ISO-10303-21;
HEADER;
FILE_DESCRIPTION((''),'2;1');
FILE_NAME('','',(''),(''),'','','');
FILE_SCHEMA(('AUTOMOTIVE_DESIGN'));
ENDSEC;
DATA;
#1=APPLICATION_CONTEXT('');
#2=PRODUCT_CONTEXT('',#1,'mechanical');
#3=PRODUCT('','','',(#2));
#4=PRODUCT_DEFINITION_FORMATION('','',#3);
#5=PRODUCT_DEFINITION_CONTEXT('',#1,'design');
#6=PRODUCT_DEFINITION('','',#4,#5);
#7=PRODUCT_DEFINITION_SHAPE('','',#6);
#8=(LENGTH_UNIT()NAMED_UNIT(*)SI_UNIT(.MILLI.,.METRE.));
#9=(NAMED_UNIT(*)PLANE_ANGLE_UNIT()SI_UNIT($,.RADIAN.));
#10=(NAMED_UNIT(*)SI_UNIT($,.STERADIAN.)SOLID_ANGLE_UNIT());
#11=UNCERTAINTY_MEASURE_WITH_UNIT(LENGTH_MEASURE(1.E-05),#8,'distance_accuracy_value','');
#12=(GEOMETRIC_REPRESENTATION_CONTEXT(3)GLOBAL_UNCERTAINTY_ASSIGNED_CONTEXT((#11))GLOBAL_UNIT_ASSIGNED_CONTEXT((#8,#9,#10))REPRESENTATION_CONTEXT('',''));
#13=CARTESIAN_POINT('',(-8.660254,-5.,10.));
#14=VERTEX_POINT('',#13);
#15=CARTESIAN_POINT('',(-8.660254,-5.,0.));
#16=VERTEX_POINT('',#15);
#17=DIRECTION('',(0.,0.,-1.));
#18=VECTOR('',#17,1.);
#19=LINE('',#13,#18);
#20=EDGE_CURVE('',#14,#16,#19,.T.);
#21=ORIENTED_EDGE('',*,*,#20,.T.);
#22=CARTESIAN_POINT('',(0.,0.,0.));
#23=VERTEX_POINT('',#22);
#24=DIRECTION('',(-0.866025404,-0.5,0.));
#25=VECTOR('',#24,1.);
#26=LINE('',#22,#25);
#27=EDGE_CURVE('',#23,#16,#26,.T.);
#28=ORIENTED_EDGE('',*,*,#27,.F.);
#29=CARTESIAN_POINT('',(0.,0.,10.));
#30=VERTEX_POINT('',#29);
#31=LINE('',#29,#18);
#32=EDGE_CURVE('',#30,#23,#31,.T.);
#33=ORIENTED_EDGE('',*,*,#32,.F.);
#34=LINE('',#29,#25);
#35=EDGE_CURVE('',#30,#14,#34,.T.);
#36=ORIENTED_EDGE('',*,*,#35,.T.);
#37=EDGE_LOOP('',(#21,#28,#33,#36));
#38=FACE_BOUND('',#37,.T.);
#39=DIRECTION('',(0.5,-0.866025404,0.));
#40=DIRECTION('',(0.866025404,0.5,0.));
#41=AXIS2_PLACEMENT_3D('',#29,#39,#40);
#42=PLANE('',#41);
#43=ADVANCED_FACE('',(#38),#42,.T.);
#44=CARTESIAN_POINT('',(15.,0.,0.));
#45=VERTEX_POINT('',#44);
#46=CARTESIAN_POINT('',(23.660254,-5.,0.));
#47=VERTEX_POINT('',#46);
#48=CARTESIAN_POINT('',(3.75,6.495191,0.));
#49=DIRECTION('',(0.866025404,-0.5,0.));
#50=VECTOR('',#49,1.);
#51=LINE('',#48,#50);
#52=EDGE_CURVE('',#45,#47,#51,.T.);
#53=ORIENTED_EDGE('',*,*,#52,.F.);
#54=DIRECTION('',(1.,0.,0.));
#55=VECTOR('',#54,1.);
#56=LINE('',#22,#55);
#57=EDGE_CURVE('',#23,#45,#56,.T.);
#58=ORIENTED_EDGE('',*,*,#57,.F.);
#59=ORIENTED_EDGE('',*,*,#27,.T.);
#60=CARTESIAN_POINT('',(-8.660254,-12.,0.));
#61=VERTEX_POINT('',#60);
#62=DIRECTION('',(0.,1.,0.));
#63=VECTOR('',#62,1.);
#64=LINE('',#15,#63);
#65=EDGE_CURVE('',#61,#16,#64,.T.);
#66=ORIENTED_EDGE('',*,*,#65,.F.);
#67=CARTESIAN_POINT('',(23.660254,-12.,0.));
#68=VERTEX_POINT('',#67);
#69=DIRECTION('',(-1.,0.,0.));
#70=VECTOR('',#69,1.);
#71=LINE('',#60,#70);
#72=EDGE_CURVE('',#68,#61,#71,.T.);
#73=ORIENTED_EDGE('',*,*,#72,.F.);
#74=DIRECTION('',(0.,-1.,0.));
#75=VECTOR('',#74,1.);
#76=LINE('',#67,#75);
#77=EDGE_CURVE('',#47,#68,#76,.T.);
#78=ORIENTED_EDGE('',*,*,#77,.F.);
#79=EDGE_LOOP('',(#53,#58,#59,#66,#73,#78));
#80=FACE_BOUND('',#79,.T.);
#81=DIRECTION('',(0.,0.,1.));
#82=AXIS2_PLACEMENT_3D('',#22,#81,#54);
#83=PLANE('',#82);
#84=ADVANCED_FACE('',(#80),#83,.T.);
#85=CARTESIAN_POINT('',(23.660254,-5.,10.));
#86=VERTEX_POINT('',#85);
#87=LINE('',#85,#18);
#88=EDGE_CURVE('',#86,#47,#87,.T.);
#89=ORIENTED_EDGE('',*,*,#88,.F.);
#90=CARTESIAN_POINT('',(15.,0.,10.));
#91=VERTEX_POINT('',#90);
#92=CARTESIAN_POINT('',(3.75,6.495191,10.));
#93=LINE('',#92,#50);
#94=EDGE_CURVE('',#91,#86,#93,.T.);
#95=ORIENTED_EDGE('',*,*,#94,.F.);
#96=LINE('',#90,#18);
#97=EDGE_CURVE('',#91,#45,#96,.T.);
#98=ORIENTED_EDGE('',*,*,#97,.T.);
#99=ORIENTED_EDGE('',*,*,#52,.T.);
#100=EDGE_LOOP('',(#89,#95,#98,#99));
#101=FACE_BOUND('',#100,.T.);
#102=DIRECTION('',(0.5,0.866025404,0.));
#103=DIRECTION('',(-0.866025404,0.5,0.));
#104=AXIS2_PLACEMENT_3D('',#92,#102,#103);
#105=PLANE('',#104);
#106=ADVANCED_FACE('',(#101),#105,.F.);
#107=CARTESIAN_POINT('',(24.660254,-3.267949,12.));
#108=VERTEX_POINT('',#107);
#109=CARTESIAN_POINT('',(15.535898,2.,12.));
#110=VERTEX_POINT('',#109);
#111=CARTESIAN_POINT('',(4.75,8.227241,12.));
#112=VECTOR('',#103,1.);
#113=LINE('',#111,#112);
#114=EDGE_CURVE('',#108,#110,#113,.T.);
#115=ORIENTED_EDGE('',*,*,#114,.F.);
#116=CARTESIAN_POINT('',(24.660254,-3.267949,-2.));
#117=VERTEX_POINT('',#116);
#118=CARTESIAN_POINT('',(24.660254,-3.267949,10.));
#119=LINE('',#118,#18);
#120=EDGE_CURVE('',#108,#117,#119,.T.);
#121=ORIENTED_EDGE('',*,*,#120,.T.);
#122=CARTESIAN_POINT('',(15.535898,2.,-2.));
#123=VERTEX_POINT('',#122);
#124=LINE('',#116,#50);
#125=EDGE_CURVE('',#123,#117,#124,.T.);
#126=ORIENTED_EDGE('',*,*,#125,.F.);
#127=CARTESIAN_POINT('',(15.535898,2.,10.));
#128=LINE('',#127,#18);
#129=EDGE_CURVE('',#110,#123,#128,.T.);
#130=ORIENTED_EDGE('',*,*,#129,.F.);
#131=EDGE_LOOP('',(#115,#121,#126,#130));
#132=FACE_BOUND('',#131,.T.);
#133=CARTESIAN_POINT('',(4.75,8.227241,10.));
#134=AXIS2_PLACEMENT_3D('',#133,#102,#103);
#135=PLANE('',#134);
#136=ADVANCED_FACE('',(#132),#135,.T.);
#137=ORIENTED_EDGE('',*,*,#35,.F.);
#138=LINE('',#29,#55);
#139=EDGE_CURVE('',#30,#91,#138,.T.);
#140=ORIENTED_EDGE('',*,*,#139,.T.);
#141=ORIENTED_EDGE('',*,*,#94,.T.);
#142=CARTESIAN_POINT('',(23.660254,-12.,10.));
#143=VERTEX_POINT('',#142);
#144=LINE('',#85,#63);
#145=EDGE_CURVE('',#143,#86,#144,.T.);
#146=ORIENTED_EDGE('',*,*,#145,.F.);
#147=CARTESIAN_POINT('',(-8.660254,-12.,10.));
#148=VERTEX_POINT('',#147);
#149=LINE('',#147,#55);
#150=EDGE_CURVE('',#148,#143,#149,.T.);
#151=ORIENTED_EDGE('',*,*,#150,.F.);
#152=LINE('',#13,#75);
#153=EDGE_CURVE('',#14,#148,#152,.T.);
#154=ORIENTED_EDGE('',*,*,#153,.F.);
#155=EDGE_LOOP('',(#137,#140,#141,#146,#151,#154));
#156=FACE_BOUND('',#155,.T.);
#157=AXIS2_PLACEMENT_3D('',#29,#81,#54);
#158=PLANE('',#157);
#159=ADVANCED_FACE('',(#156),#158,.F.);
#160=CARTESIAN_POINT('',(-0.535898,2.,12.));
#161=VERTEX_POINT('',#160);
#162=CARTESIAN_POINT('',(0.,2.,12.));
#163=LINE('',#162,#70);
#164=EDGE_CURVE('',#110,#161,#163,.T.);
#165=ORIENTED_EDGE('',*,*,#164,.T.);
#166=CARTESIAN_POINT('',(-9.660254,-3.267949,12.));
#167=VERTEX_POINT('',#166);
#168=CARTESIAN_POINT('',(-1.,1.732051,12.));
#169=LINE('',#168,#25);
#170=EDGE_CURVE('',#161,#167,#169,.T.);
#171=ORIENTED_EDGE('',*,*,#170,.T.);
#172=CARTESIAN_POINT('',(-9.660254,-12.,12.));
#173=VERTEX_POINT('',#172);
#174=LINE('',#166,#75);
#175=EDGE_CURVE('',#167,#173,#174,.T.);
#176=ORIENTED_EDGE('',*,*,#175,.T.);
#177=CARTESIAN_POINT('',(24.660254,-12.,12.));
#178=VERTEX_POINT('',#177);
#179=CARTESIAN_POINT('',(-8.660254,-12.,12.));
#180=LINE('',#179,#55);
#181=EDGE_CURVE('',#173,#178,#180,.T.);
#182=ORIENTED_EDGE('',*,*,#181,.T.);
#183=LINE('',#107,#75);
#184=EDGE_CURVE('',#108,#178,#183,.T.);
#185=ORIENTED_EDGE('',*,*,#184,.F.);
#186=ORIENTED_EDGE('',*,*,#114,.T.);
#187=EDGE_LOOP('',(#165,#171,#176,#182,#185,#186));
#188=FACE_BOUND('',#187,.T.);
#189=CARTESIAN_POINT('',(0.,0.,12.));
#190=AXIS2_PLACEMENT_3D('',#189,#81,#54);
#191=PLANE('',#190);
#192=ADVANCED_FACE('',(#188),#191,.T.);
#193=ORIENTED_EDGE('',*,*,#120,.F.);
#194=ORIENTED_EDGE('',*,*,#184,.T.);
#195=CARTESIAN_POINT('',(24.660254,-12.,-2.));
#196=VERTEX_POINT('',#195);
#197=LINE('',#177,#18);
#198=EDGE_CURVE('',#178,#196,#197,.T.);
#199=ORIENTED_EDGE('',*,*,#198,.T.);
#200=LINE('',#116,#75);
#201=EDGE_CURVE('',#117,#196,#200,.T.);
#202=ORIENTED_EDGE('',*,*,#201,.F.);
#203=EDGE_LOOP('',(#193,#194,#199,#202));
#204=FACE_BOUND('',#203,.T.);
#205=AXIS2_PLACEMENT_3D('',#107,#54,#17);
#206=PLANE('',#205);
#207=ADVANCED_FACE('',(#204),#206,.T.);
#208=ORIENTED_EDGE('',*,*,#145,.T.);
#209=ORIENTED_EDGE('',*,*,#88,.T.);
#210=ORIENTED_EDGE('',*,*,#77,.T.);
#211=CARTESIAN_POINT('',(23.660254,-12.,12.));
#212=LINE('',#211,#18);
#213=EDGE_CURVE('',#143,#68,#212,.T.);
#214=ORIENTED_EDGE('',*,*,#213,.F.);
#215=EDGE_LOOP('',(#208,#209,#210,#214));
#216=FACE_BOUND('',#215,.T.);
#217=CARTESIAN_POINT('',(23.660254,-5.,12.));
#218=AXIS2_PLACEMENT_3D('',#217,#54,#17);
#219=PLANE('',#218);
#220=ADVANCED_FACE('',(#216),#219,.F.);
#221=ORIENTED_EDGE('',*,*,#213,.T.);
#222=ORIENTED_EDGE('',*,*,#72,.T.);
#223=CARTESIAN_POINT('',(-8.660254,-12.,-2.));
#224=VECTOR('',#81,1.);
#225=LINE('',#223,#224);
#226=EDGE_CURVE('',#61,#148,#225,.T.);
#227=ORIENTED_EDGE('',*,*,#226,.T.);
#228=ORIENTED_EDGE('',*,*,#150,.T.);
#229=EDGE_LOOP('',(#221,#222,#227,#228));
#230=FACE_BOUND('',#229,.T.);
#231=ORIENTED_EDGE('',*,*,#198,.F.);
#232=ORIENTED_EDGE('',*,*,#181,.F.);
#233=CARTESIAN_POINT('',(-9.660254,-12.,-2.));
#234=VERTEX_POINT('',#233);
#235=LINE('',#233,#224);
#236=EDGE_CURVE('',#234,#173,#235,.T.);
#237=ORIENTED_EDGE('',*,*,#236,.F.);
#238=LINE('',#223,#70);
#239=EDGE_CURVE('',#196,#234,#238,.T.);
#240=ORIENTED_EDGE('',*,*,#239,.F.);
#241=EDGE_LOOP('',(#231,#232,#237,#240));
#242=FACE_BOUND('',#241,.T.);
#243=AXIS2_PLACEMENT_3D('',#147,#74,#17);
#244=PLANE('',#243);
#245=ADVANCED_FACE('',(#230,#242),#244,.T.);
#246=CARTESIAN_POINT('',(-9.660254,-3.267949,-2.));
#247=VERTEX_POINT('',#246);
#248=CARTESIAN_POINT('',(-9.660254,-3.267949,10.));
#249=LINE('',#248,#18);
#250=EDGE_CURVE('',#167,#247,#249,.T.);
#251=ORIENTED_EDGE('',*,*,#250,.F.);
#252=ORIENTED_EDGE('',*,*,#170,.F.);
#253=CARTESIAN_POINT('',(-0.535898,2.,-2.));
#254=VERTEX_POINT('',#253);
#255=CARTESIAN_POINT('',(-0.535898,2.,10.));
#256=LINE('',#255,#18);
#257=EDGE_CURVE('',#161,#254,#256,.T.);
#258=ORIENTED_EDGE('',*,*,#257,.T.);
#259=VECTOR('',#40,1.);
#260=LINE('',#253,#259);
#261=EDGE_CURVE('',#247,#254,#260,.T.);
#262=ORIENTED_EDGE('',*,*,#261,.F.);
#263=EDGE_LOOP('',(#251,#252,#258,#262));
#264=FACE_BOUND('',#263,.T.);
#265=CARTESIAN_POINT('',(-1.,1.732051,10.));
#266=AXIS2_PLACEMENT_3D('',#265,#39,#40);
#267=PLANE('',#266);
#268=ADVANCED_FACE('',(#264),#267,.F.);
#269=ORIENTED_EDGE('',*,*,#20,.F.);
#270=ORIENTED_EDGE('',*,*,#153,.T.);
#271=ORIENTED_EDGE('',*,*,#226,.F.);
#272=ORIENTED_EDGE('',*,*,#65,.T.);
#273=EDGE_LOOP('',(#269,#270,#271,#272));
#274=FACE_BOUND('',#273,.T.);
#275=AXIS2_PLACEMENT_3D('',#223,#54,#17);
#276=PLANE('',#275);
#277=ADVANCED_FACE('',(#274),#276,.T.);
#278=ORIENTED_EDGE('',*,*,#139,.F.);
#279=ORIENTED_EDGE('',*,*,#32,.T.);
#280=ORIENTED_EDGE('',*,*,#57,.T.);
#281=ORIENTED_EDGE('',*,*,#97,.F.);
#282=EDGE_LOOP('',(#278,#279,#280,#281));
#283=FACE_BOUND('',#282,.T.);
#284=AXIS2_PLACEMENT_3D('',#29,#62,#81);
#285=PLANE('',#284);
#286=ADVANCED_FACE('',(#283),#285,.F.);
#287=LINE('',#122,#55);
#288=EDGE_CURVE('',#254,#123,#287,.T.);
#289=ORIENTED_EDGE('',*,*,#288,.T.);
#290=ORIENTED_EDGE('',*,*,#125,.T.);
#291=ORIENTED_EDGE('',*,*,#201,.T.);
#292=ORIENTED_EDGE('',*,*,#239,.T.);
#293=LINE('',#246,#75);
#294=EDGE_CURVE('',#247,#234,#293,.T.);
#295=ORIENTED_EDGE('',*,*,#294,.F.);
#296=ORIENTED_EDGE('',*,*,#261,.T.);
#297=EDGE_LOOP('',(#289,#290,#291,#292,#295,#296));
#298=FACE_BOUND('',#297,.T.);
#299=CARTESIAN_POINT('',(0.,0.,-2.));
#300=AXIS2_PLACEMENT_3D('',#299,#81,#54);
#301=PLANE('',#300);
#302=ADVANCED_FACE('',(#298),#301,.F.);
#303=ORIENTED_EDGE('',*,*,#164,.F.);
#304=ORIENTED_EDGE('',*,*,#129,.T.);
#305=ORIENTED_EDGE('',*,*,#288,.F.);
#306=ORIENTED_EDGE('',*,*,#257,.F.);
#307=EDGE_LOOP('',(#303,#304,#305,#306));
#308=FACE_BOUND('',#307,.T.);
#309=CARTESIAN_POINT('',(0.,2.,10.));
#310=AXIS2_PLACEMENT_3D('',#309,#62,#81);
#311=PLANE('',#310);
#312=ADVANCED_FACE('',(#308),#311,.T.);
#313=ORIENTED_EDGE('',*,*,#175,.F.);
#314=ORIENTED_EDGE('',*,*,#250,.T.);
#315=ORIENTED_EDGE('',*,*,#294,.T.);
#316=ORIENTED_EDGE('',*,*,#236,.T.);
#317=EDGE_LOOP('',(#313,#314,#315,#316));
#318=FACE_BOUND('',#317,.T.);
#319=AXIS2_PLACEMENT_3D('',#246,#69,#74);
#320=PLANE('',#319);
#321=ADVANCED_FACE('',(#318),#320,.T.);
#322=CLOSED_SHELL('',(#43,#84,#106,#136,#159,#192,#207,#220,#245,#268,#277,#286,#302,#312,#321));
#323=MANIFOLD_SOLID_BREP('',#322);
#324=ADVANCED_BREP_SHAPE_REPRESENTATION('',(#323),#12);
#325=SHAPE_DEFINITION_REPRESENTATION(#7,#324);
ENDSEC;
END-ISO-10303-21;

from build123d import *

# Parameters (mm, degrees)
BOSS_EXTRUDE1_DEPTH  = 10
BOSS_EXTRUDE2_DEPTH  = 2
BOSS_EXTRUDE3_DEPTH  = 2
SKETCH4_W            = 32.320508076
SKETCH4_H            = 7
BOSS_EXTRUDE4_DEPTH  = 2
SKETCH5_W            = 32.320508076
SKETCH5_H            = 7
BOSS_EXTRUDE5_DEPTH  = 2
BOSS_EXTRUDE9_DEPTH  = 14
BOSS_EXTRUDE10_DEPTH = 14


with BuildPart() as part:
    # Sketch1 → Boss-Extrude1 (new body)
    with BuildSketch(Plane.XY):
        Polygon((15, 0), (23.660254038, -5), (24.660254038, -3.267949192), (15.535898385, 2), (-0.535898385, 2), (-9.660254038, -3.267949192), (-8.660254038, -5), (0, 0), align=None)
    extrude(amount=BOSS_EXTRUDE1_DEPTH)

    # Sketch2 → Boss-Extrude2 (add)
    with BuildSketch(Plane.XY.offset(10)):
        Polygon((-8.660254038, -5), (23.660254038, -5), (15, 0), (0, 0), align=None)
        Polygon((23.660254038, -5), (24.660254038, -3.267949192), (15.535898385, 2), (-0.535898385, 2), (-9.660254038, -3.267949192), (-8.660254038, -5), (0, 0), (15, 0), align=None)
    extrude(amount=BOSS_EXTRUDE2_DEPTH)

    # Sketch3 → Boss-Extrude3 (add)
    with BuildSketch(Plane(origin=(0, 0, 0), x_dir=(-1, 0, 0), z_dir=(0, 0, -1))):
        Polygon((-24.660254038, -3.267949192), (-15.535898385, 2), (0.535898385, 2), (9.660254038, -3.267949192), (8.660254038, -5), (-23.660254038, -5), align=None)
    extrude(amount=BOSS_EXTRUDE3_DEPTH)

    # Sketch4 → Boss-Extrude4 (add)
    with BuildSketch(Plane.XY.offset(12)):
        with Locations((7.5, -8.5)):
            Rectangle(SKETCH4_W, SKETCH4_H)
    extrude(amount=-BOSS_EXTRUDE4_DEPTH)

    # Sketch5 → Boss-Extrude5 (add)
    with BuildSketch(Plane(origin=(0, 0, -2), x_dir=(-1, 0, 0), z_dir=(0, 0, -1))):
        with Locations((-7.5, -8.5)):
            Rectangle(SKETCH5_W, SKETCH5_H)
    extrude(amount=-BOSS_EXTRUDE5_DEPTH)

    # Sketch8 → Boss-Extrude9 (add)
    with BuildSketch(Plane.XY.offset(12)):
        Polygon((-9.660254038, -3.267949192), (-9.660254038, -12), (-8.660254038, -12), (-8.660254038, -5), align=None)
    extrude(amount=-BOSS_EXTRUDE9_DEPTH)

    # Sketch9 → Boss-Extrude10 (add)
    with BuildSketch(Plane(origin=(0, 0, -2), x_dir=(-1, 0, 0), z_dir=(0, 0, -1))):
        Polygon((-24.660254038, -3.267949192), (-23.660254038, -5), (-23.660254038, -12), (-24.660254038, -12), align=None)
    extrude(amount=-BOSS_EXTRUDE10_DEPTH)


solid = part.part
